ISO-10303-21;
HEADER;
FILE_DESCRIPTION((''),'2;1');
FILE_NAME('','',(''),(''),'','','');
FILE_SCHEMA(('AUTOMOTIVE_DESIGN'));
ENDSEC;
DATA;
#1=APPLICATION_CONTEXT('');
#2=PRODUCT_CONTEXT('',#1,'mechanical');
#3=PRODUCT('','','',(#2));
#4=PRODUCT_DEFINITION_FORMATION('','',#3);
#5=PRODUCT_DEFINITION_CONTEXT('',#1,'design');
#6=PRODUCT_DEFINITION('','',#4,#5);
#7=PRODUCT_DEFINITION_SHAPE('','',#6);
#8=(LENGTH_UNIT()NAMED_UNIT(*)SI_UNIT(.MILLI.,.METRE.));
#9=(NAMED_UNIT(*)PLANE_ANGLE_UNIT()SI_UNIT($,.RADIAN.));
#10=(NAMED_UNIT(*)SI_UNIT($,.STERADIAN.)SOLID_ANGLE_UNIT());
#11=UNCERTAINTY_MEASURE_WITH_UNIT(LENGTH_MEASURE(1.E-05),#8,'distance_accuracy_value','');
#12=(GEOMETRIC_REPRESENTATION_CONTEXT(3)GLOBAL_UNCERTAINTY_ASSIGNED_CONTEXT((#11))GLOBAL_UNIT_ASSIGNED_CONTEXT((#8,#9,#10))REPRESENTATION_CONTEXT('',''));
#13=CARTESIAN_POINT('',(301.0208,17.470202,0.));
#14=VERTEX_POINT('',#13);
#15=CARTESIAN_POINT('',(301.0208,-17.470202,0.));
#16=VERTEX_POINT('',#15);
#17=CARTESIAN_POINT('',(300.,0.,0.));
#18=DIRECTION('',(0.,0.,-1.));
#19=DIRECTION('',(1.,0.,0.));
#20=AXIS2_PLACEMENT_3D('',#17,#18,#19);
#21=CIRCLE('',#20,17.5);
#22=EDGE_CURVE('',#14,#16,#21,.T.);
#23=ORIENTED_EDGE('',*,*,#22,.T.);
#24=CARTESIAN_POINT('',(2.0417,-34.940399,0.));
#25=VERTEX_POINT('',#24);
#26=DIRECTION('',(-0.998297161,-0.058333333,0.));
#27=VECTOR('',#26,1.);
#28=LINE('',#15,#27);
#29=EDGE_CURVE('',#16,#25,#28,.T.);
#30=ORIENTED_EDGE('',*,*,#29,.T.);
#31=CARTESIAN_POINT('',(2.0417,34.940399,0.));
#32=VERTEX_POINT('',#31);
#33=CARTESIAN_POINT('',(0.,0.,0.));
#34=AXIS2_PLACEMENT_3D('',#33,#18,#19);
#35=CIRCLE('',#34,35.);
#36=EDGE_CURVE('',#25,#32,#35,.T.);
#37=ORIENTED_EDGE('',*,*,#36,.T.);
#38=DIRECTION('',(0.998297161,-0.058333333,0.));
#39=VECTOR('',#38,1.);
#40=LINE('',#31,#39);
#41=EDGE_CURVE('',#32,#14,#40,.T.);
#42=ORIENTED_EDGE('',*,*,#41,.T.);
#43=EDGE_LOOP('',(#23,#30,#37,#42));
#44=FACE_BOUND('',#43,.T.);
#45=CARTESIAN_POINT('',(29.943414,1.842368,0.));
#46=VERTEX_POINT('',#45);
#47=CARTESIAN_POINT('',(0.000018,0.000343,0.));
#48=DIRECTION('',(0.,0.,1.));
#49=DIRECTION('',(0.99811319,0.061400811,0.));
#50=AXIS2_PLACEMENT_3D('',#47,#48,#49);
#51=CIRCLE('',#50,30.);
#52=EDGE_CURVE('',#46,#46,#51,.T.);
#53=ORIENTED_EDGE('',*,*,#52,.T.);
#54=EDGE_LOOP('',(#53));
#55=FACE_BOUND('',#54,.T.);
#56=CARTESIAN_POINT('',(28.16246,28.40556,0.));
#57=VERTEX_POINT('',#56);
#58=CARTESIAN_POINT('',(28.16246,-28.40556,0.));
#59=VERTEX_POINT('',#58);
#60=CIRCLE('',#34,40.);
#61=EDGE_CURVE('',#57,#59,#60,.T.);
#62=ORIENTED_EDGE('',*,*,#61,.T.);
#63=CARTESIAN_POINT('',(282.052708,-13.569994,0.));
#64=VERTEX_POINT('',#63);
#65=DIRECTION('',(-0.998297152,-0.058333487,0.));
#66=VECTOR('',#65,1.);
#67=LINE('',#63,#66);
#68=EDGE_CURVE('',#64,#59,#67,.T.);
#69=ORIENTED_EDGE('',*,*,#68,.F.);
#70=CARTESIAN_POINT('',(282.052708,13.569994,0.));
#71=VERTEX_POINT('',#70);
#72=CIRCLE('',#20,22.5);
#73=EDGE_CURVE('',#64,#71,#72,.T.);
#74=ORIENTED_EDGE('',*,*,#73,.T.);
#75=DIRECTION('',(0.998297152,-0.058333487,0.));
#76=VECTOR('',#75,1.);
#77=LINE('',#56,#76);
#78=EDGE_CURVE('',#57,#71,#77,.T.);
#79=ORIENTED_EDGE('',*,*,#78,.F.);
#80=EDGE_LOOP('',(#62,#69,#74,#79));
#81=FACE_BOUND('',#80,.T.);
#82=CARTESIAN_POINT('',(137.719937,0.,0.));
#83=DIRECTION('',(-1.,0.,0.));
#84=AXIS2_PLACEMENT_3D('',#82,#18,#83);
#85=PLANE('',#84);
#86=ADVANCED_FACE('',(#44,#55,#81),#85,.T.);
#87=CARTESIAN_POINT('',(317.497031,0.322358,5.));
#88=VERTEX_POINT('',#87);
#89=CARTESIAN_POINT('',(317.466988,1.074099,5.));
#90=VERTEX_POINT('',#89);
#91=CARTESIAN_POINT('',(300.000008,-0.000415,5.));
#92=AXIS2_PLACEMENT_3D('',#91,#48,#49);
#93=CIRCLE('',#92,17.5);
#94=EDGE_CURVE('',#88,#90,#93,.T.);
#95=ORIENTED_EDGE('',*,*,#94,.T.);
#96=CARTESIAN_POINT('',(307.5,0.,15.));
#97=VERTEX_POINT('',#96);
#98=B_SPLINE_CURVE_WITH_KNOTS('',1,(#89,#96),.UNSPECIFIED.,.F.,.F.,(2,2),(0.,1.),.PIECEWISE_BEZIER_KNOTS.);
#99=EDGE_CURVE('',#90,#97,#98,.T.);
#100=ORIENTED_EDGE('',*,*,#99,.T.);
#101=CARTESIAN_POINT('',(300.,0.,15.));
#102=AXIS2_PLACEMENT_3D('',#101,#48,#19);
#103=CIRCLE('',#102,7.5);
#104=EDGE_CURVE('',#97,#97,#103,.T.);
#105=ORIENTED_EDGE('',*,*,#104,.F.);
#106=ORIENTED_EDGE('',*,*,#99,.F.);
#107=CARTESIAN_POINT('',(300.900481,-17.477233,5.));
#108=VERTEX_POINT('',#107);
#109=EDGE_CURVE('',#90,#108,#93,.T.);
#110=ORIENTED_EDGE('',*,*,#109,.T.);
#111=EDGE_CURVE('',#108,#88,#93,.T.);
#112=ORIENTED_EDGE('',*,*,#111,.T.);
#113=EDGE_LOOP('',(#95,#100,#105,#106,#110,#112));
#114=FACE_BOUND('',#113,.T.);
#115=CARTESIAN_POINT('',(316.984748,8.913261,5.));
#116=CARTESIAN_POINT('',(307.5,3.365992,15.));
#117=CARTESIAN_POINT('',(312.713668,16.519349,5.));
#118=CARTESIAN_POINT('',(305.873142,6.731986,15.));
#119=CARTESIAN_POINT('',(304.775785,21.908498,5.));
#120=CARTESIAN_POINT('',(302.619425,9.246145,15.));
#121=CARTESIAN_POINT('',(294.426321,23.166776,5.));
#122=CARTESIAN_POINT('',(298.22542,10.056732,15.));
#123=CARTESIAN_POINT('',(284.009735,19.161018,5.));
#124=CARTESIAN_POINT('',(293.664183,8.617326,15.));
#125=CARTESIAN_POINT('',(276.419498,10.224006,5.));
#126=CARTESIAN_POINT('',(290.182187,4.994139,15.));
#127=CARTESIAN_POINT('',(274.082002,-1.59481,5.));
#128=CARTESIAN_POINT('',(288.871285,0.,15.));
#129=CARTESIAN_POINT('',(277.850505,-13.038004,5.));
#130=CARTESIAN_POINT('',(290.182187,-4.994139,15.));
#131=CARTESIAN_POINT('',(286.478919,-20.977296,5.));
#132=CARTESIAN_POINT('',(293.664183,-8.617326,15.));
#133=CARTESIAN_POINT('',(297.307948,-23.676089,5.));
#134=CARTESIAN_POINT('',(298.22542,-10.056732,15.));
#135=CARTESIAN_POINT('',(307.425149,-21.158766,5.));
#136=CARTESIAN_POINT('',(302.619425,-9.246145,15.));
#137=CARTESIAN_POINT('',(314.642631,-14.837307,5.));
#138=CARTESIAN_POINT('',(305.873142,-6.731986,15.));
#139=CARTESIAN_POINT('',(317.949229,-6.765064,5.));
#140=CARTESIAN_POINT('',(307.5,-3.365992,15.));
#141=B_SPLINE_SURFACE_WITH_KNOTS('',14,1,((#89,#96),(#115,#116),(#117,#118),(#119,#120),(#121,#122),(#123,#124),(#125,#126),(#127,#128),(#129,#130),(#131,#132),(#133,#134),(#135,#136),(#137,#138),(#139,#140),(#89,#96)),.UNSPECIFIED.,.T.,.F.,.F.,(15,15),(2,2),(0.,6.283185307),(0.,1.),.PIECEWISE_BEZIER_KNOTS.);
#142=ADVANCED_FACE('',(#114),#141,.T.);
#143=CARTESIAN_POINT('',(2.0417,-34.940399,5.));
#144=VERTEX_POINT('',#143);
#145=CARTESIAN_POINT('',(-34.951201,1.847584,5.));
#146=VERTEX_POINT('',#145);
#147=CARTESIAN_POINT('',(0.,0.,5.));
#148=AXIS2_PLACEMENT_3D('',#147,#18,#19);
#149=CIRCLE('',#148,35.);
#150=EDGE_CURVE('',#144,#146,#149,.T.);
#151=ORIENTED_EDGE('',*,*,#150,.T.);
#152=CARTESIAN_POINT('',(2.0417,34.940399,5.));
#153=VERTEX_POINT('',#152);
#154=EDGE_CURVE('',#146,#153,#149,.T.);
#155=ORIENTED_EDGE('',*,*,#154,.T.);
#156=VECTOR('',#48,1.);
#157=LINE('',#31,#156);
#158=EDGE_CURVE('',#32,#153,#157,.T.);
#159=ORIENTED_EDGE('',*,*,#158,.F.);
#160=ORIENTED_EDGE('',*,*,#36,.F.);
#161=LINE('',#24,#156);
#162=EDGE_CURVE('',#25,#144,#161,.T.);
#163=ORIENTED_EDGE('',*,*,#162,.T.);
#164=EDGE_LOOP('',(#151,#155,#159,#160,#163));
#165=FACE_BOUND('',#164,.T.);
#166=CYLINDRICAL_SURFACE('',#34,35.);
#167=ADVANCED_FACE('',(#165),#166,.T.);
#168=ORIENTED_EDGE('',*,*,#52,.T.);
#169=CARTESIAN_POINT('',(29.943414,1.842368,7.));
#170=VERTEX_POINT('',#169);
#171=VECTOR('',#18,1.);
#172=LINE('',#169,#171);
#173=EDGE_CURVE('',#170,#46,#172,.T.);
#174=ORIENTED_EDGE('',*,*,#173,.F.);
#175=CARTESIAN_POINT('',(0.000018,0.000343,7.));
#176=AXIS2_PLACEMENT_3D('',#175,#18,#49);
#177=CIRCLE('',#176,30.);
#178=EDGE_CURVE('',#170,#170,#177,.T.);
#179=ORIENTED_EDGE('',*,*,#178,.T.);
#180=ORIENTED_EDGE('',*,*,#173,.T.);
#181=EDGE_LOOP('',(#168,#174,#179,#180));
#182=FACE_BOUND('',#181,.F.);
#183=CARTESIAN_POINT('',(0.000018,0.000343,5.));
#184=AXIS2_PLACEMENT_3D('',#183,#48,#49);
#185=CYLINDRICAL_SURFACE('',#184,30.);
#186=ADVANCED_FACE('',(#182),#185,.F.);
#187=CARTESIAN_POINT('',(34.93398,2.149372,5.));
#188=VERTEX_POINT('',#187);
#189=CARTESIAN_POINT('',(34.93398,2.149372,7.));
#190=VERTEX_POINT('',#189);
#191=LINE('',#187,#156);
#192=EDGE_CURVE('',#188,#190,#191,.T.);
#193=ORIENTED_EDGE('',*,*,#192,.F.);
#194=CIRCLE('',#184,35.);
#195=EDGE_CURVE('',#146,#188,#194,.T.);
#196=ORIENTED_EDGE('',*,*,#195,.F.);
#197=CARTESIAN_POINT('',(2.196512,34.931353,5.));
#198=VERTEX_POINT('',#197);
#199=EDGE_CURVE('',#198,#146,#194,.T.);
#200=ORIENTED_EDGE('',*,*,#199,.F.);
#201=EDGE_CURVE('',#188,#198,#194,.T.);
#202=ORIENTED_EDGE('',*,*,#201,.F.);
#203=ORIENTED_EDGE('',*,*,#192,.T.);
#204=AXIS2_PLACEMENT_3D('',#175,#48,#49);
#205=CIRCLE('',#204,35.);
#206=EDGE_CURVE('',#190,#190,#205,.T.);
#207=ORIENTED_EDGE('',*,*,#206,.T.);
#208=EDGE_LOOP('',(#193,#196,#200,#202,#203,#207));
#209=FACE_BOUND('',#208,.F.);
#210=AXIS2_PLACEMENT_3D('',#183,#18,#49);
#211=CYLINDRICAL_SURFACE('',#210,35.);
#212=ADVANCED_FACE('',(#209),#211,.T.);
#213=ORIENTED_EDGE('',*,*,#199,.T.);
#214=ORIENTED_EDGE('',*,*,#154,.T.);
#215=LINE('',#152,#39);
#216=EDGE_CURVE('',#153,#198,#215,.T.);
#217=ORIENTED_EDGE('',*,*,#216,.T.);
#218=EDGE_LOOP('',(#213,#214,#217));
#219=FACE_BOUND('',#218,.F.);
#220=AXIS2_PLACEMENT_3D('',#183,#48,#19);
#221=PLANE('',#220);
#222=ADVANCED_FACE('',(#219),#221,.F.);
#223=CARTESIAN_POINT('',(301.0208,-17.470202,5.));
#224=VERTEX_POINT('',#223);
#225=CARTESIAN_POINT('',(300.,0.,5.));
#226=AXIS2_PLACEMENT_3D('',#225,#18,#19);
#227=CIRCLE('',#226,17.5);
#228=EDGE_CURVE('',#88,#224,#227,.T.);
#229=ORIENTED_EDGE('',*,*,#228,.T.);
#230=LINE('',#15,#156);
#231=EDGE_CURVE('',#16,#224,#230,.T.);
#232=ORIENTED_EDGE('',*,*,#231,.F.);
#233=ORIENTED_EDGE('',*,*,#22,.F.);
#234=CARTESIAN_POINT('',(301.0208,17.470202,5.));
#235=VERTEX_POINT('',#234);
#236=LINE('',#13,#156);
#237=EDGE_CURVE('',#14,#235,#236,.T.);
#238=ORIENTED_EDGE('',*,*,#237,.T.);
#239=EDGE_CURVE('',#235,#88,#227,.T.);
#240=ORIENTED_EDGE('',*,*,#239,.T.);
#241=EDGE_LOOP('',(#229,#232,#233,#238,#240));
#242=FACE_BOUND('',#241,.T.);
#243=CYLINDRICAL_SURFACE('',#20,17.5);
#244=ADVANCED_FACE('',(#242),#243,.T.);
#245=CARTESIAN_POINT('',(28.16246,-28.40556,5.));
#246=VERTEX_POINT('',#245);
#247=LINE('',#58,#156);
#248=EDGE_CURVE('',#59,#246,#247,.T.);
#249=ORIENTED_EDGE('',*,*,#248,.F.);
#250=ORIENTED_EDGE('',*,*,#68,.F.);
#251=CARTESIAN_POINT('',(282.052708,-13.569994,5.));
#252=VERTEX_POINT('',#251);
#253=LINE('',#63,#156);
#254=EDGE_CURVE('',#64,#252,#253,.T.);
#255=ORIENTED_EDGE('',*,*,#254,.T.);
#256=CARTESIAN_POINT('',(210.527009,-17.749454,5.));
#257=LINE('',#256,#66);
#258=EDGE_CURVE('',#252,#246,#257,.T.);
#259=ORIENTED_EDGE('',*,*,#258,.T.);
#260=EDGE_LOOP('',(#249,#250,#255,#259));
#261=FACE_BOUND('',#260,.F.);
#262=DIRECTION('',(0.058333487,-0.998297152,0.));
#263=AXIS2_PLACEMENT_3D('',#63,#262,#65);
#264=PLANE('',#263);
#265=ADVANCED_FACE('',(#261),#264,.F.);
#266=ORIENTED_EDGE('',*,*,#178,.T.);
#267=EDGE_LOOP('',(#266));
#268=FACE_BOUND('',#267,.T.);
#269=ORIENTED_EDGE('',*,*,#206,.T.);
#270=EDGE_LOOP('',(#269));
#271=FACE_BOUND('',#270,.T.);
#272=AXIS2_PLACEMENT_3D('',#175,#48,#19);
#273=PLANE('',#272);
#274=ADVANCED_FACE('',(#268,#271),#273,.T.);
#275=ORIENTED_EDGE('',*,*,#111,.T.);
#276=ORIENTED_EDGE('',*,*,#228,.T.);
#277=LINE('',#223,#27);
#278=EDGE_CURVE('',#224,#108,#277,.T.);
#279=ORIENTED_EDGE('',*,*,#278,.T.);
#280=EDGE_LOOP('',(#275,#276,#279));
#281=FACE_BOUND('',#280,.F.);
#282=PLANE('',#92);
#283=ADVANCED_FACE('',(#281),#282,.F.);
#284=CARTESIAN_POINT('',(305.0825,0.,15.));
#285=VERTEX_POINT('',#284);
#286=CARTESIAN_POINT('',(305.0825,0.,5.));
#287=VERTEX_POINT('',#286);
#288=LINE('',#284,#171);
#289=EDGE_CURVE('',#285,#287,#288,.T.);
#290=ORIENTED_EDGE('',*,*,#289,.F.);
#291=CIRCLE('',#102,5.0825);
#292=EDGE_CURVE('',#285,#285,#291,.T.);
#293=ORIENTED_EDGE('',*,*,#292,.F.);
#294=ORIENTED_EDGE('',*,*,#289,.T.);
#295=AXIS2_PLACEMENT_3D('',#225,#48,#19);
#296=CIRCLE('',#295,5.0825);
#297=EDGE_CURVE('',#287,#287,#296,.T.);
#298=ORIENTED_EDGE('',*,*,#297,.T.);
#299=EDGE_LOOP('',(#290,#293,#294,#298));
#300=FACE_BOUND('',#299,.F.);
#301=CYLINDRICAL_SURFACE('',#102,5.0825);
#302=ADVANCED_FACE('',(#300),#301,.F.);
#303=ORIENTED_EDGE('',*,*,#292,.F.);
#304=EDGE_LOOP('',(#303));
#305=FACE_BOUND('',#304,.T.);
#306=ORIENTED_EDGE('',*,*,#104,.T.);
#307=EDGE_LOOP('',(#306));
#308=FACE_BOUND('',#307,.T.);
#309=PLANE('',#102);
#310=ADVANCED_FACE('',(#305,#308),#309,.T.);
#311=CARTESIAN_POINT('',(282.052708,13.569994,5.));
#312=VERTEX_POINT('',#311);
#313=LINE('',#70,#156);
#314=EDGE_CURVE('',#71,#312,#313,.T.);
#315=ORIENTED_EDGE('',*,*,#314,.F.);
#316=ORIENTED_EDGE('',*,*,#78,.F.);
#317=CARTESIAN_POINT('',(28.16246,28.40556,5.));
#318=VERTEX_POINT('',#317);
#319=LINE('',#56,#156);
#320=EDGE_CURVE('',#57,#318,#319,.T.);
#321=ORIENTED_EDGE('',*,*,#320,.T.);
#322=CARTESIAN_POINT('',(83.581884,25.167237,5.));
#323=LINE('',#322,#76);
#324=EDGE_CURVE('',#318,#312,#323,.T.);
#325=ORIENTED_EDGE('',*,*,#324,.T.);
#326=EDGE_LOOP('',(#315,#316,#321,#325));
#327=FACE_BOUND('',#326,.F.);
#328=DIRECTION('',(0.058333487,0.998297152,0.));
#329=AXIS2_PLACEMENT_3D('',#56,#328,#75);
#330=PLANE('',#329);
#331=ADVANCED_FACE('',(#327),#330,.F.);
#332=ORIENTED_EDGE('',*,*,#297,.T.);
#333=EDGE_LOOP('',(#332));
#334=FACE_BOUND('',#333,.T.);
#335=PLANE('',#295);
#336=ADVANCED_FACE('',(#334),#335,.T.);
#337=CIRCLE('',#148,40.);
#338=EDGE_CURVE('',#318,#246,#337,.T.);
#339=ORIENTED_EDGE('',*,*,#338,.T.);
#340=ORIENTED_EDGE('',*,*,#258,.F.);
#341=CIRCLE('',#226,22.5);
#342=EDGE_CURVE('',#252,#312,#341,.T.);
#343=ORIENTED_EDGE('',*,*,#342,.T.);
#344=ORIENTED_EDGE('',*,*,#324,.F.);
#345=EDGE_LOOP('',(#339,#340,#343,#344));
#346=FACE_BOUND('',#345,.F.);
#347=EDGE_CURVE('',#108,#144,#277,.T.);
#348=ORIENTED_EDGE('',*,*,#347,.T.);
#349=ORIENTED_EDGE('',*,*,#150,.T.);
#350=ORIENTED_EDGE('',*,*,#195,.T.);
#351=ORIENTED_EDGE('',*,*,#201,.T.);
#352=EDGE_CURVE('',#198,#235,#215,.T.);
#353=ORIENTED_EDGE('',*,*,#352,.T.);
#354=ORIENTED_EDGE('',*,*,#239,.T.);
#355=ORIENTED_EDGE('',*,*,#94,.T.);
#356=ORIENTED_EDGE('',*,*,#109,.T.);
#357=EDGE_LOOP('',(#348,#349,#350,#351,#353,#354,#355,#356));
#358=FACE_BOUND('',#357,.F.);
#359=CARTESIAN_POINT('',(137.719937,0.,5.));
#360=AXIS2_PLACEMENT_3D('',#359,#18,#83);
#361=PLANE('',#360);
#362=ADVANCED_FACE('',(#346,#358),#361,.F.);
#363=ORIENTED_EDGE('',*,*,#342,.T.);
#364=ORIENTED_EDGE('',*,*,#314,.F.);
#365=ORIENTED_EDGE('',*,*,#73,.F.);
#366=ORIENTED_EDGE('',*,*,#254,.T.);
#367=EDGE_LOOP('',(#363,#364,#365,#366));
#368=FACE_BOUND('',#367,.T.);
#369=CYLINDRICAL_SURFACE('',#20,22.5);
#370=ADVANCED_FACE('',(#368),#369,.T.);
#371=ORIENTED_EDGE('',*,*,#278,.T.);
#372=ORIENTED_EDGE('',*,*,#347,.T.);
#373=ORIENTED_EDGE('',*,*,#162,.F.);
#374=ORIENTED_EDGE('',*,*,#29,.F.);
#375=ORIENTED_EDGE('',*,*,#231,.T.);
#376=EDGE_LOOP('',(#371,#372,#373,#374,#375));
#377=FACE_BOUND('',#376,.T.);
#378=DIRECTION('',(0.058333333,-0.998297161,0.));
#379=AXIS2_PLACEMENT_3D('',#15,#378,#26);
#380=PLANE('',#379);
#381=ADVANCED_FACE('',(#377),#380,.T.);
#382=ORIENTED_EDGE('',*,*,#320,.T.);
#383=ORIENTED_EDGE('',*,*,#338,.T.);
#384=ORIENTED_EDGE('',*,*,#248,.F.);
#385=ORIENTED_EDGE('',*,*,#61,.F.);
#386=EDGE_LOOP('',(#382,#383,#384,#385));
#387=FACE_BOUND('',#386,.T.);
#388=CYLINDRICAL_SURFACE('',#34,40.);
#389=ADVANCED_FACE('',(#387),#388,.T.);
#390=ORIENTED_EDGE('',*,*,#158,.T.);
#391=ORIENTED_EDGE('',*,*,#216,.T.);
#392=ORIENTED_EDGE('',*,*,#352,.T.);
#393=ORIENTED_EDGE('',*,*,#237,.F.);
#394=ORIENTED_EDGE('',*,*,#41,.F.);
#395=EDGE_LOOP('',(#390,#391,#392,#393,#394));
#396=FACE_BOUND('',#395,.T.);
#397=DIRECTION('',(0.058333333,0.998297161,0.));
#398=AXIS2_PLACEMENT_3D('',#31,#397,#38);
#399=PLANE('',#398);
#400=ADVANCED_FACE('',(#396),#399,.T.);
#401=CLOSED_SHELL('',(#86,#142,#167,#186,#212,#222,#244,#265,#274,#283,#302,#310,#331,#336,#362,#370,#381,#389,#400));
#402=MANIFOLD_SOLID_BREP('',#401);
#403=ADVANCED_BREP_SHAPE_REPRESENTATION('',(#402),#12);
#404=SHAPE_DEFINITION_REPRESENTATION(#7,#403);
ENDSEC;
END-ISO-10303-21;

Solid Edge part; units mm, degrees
sketch "Sketch1" plane through (0, 0, 0) normal (0, 0, 1) x (1, 0, 0)
  line L0 (301.0208, -17.4702) -> (2.0417, -34.9404)
  line L1 (2.0417, 34.9404) -> (301.0208, 17.4702)
  arc A0 (2.0417, -34.9404) -> (2.0417, 34.9404) centre (0, 0) cw
  arc A1 (301.0208, 17.4702) -> (301.0208, -17.4702) centre (300, 0) cw
extrude "Protrusion1" add sketch "Sketch1" along normal blind 5
sketch "Sketch2" plane through (133.75, 0, 5) normal (0, 0, 1) x (0.9981, 0.0614, 0)
  circle A0 centre (-133.4976, 8.2127) radius 35
extrude "ExtrudedProtrusion_5" add sketch "Sketch2" along normal blind 2
sketch "Sketch3" plane through (133.75, 0, 5) normal (0, 0, 1) x (0.9981, 0.0614, 0)
  circle A0 centre (-133.4976, 8.2127) radius 30
extrude "ExtrudedCutout_6" cut sketch "Sketch3" along normal mid plane 73.1359
sketch "Sketch4" plane through (133.75, 0, 5) normal (0, 0, 1) x (0.9981, 0.0614, 0)
  circle A0 centre (165.9363, -10.2083) radius 17.5
sketch "Sketch5" plane through (0, 0, 15) normal (0, 0, 1) x (1, 0, 0)
  circle A0 centre (300, 0) radius 7.5
loft "LoftedProtrusion1" add profiles "Sketch4", "Sketch5"
sketch "Sketch6" plane through (0, 0, 15) normal (0, 0, 1) x (1, 0, 0)
  circle A0 centre (300, 0) radius 5.0825
extrude "ExtrudedCutout_7" cut sketch "Sketch6" against normal blind 10
sketch "Sketch7" plane through (0, 0, 0) normal (0, 0, 1) x (1, 0, 0)
  line L0 (282.0527, -13.57) -> (28.1625, -28.4056)
  line L1 (28.1625, 28.4056) -> (282.0527, 13.57)
  arc A0 (28.1625, 28.4056) -> (28.1625, -28.4056) centre (0, 0) cw
  arc A1 (282.0527, -13.57) -> (282.0527, 13.57) centre (300, 0) cw
extrude "ExtrudedCutout_8" cut sketch "Sketch7" along normal blind 33.773
